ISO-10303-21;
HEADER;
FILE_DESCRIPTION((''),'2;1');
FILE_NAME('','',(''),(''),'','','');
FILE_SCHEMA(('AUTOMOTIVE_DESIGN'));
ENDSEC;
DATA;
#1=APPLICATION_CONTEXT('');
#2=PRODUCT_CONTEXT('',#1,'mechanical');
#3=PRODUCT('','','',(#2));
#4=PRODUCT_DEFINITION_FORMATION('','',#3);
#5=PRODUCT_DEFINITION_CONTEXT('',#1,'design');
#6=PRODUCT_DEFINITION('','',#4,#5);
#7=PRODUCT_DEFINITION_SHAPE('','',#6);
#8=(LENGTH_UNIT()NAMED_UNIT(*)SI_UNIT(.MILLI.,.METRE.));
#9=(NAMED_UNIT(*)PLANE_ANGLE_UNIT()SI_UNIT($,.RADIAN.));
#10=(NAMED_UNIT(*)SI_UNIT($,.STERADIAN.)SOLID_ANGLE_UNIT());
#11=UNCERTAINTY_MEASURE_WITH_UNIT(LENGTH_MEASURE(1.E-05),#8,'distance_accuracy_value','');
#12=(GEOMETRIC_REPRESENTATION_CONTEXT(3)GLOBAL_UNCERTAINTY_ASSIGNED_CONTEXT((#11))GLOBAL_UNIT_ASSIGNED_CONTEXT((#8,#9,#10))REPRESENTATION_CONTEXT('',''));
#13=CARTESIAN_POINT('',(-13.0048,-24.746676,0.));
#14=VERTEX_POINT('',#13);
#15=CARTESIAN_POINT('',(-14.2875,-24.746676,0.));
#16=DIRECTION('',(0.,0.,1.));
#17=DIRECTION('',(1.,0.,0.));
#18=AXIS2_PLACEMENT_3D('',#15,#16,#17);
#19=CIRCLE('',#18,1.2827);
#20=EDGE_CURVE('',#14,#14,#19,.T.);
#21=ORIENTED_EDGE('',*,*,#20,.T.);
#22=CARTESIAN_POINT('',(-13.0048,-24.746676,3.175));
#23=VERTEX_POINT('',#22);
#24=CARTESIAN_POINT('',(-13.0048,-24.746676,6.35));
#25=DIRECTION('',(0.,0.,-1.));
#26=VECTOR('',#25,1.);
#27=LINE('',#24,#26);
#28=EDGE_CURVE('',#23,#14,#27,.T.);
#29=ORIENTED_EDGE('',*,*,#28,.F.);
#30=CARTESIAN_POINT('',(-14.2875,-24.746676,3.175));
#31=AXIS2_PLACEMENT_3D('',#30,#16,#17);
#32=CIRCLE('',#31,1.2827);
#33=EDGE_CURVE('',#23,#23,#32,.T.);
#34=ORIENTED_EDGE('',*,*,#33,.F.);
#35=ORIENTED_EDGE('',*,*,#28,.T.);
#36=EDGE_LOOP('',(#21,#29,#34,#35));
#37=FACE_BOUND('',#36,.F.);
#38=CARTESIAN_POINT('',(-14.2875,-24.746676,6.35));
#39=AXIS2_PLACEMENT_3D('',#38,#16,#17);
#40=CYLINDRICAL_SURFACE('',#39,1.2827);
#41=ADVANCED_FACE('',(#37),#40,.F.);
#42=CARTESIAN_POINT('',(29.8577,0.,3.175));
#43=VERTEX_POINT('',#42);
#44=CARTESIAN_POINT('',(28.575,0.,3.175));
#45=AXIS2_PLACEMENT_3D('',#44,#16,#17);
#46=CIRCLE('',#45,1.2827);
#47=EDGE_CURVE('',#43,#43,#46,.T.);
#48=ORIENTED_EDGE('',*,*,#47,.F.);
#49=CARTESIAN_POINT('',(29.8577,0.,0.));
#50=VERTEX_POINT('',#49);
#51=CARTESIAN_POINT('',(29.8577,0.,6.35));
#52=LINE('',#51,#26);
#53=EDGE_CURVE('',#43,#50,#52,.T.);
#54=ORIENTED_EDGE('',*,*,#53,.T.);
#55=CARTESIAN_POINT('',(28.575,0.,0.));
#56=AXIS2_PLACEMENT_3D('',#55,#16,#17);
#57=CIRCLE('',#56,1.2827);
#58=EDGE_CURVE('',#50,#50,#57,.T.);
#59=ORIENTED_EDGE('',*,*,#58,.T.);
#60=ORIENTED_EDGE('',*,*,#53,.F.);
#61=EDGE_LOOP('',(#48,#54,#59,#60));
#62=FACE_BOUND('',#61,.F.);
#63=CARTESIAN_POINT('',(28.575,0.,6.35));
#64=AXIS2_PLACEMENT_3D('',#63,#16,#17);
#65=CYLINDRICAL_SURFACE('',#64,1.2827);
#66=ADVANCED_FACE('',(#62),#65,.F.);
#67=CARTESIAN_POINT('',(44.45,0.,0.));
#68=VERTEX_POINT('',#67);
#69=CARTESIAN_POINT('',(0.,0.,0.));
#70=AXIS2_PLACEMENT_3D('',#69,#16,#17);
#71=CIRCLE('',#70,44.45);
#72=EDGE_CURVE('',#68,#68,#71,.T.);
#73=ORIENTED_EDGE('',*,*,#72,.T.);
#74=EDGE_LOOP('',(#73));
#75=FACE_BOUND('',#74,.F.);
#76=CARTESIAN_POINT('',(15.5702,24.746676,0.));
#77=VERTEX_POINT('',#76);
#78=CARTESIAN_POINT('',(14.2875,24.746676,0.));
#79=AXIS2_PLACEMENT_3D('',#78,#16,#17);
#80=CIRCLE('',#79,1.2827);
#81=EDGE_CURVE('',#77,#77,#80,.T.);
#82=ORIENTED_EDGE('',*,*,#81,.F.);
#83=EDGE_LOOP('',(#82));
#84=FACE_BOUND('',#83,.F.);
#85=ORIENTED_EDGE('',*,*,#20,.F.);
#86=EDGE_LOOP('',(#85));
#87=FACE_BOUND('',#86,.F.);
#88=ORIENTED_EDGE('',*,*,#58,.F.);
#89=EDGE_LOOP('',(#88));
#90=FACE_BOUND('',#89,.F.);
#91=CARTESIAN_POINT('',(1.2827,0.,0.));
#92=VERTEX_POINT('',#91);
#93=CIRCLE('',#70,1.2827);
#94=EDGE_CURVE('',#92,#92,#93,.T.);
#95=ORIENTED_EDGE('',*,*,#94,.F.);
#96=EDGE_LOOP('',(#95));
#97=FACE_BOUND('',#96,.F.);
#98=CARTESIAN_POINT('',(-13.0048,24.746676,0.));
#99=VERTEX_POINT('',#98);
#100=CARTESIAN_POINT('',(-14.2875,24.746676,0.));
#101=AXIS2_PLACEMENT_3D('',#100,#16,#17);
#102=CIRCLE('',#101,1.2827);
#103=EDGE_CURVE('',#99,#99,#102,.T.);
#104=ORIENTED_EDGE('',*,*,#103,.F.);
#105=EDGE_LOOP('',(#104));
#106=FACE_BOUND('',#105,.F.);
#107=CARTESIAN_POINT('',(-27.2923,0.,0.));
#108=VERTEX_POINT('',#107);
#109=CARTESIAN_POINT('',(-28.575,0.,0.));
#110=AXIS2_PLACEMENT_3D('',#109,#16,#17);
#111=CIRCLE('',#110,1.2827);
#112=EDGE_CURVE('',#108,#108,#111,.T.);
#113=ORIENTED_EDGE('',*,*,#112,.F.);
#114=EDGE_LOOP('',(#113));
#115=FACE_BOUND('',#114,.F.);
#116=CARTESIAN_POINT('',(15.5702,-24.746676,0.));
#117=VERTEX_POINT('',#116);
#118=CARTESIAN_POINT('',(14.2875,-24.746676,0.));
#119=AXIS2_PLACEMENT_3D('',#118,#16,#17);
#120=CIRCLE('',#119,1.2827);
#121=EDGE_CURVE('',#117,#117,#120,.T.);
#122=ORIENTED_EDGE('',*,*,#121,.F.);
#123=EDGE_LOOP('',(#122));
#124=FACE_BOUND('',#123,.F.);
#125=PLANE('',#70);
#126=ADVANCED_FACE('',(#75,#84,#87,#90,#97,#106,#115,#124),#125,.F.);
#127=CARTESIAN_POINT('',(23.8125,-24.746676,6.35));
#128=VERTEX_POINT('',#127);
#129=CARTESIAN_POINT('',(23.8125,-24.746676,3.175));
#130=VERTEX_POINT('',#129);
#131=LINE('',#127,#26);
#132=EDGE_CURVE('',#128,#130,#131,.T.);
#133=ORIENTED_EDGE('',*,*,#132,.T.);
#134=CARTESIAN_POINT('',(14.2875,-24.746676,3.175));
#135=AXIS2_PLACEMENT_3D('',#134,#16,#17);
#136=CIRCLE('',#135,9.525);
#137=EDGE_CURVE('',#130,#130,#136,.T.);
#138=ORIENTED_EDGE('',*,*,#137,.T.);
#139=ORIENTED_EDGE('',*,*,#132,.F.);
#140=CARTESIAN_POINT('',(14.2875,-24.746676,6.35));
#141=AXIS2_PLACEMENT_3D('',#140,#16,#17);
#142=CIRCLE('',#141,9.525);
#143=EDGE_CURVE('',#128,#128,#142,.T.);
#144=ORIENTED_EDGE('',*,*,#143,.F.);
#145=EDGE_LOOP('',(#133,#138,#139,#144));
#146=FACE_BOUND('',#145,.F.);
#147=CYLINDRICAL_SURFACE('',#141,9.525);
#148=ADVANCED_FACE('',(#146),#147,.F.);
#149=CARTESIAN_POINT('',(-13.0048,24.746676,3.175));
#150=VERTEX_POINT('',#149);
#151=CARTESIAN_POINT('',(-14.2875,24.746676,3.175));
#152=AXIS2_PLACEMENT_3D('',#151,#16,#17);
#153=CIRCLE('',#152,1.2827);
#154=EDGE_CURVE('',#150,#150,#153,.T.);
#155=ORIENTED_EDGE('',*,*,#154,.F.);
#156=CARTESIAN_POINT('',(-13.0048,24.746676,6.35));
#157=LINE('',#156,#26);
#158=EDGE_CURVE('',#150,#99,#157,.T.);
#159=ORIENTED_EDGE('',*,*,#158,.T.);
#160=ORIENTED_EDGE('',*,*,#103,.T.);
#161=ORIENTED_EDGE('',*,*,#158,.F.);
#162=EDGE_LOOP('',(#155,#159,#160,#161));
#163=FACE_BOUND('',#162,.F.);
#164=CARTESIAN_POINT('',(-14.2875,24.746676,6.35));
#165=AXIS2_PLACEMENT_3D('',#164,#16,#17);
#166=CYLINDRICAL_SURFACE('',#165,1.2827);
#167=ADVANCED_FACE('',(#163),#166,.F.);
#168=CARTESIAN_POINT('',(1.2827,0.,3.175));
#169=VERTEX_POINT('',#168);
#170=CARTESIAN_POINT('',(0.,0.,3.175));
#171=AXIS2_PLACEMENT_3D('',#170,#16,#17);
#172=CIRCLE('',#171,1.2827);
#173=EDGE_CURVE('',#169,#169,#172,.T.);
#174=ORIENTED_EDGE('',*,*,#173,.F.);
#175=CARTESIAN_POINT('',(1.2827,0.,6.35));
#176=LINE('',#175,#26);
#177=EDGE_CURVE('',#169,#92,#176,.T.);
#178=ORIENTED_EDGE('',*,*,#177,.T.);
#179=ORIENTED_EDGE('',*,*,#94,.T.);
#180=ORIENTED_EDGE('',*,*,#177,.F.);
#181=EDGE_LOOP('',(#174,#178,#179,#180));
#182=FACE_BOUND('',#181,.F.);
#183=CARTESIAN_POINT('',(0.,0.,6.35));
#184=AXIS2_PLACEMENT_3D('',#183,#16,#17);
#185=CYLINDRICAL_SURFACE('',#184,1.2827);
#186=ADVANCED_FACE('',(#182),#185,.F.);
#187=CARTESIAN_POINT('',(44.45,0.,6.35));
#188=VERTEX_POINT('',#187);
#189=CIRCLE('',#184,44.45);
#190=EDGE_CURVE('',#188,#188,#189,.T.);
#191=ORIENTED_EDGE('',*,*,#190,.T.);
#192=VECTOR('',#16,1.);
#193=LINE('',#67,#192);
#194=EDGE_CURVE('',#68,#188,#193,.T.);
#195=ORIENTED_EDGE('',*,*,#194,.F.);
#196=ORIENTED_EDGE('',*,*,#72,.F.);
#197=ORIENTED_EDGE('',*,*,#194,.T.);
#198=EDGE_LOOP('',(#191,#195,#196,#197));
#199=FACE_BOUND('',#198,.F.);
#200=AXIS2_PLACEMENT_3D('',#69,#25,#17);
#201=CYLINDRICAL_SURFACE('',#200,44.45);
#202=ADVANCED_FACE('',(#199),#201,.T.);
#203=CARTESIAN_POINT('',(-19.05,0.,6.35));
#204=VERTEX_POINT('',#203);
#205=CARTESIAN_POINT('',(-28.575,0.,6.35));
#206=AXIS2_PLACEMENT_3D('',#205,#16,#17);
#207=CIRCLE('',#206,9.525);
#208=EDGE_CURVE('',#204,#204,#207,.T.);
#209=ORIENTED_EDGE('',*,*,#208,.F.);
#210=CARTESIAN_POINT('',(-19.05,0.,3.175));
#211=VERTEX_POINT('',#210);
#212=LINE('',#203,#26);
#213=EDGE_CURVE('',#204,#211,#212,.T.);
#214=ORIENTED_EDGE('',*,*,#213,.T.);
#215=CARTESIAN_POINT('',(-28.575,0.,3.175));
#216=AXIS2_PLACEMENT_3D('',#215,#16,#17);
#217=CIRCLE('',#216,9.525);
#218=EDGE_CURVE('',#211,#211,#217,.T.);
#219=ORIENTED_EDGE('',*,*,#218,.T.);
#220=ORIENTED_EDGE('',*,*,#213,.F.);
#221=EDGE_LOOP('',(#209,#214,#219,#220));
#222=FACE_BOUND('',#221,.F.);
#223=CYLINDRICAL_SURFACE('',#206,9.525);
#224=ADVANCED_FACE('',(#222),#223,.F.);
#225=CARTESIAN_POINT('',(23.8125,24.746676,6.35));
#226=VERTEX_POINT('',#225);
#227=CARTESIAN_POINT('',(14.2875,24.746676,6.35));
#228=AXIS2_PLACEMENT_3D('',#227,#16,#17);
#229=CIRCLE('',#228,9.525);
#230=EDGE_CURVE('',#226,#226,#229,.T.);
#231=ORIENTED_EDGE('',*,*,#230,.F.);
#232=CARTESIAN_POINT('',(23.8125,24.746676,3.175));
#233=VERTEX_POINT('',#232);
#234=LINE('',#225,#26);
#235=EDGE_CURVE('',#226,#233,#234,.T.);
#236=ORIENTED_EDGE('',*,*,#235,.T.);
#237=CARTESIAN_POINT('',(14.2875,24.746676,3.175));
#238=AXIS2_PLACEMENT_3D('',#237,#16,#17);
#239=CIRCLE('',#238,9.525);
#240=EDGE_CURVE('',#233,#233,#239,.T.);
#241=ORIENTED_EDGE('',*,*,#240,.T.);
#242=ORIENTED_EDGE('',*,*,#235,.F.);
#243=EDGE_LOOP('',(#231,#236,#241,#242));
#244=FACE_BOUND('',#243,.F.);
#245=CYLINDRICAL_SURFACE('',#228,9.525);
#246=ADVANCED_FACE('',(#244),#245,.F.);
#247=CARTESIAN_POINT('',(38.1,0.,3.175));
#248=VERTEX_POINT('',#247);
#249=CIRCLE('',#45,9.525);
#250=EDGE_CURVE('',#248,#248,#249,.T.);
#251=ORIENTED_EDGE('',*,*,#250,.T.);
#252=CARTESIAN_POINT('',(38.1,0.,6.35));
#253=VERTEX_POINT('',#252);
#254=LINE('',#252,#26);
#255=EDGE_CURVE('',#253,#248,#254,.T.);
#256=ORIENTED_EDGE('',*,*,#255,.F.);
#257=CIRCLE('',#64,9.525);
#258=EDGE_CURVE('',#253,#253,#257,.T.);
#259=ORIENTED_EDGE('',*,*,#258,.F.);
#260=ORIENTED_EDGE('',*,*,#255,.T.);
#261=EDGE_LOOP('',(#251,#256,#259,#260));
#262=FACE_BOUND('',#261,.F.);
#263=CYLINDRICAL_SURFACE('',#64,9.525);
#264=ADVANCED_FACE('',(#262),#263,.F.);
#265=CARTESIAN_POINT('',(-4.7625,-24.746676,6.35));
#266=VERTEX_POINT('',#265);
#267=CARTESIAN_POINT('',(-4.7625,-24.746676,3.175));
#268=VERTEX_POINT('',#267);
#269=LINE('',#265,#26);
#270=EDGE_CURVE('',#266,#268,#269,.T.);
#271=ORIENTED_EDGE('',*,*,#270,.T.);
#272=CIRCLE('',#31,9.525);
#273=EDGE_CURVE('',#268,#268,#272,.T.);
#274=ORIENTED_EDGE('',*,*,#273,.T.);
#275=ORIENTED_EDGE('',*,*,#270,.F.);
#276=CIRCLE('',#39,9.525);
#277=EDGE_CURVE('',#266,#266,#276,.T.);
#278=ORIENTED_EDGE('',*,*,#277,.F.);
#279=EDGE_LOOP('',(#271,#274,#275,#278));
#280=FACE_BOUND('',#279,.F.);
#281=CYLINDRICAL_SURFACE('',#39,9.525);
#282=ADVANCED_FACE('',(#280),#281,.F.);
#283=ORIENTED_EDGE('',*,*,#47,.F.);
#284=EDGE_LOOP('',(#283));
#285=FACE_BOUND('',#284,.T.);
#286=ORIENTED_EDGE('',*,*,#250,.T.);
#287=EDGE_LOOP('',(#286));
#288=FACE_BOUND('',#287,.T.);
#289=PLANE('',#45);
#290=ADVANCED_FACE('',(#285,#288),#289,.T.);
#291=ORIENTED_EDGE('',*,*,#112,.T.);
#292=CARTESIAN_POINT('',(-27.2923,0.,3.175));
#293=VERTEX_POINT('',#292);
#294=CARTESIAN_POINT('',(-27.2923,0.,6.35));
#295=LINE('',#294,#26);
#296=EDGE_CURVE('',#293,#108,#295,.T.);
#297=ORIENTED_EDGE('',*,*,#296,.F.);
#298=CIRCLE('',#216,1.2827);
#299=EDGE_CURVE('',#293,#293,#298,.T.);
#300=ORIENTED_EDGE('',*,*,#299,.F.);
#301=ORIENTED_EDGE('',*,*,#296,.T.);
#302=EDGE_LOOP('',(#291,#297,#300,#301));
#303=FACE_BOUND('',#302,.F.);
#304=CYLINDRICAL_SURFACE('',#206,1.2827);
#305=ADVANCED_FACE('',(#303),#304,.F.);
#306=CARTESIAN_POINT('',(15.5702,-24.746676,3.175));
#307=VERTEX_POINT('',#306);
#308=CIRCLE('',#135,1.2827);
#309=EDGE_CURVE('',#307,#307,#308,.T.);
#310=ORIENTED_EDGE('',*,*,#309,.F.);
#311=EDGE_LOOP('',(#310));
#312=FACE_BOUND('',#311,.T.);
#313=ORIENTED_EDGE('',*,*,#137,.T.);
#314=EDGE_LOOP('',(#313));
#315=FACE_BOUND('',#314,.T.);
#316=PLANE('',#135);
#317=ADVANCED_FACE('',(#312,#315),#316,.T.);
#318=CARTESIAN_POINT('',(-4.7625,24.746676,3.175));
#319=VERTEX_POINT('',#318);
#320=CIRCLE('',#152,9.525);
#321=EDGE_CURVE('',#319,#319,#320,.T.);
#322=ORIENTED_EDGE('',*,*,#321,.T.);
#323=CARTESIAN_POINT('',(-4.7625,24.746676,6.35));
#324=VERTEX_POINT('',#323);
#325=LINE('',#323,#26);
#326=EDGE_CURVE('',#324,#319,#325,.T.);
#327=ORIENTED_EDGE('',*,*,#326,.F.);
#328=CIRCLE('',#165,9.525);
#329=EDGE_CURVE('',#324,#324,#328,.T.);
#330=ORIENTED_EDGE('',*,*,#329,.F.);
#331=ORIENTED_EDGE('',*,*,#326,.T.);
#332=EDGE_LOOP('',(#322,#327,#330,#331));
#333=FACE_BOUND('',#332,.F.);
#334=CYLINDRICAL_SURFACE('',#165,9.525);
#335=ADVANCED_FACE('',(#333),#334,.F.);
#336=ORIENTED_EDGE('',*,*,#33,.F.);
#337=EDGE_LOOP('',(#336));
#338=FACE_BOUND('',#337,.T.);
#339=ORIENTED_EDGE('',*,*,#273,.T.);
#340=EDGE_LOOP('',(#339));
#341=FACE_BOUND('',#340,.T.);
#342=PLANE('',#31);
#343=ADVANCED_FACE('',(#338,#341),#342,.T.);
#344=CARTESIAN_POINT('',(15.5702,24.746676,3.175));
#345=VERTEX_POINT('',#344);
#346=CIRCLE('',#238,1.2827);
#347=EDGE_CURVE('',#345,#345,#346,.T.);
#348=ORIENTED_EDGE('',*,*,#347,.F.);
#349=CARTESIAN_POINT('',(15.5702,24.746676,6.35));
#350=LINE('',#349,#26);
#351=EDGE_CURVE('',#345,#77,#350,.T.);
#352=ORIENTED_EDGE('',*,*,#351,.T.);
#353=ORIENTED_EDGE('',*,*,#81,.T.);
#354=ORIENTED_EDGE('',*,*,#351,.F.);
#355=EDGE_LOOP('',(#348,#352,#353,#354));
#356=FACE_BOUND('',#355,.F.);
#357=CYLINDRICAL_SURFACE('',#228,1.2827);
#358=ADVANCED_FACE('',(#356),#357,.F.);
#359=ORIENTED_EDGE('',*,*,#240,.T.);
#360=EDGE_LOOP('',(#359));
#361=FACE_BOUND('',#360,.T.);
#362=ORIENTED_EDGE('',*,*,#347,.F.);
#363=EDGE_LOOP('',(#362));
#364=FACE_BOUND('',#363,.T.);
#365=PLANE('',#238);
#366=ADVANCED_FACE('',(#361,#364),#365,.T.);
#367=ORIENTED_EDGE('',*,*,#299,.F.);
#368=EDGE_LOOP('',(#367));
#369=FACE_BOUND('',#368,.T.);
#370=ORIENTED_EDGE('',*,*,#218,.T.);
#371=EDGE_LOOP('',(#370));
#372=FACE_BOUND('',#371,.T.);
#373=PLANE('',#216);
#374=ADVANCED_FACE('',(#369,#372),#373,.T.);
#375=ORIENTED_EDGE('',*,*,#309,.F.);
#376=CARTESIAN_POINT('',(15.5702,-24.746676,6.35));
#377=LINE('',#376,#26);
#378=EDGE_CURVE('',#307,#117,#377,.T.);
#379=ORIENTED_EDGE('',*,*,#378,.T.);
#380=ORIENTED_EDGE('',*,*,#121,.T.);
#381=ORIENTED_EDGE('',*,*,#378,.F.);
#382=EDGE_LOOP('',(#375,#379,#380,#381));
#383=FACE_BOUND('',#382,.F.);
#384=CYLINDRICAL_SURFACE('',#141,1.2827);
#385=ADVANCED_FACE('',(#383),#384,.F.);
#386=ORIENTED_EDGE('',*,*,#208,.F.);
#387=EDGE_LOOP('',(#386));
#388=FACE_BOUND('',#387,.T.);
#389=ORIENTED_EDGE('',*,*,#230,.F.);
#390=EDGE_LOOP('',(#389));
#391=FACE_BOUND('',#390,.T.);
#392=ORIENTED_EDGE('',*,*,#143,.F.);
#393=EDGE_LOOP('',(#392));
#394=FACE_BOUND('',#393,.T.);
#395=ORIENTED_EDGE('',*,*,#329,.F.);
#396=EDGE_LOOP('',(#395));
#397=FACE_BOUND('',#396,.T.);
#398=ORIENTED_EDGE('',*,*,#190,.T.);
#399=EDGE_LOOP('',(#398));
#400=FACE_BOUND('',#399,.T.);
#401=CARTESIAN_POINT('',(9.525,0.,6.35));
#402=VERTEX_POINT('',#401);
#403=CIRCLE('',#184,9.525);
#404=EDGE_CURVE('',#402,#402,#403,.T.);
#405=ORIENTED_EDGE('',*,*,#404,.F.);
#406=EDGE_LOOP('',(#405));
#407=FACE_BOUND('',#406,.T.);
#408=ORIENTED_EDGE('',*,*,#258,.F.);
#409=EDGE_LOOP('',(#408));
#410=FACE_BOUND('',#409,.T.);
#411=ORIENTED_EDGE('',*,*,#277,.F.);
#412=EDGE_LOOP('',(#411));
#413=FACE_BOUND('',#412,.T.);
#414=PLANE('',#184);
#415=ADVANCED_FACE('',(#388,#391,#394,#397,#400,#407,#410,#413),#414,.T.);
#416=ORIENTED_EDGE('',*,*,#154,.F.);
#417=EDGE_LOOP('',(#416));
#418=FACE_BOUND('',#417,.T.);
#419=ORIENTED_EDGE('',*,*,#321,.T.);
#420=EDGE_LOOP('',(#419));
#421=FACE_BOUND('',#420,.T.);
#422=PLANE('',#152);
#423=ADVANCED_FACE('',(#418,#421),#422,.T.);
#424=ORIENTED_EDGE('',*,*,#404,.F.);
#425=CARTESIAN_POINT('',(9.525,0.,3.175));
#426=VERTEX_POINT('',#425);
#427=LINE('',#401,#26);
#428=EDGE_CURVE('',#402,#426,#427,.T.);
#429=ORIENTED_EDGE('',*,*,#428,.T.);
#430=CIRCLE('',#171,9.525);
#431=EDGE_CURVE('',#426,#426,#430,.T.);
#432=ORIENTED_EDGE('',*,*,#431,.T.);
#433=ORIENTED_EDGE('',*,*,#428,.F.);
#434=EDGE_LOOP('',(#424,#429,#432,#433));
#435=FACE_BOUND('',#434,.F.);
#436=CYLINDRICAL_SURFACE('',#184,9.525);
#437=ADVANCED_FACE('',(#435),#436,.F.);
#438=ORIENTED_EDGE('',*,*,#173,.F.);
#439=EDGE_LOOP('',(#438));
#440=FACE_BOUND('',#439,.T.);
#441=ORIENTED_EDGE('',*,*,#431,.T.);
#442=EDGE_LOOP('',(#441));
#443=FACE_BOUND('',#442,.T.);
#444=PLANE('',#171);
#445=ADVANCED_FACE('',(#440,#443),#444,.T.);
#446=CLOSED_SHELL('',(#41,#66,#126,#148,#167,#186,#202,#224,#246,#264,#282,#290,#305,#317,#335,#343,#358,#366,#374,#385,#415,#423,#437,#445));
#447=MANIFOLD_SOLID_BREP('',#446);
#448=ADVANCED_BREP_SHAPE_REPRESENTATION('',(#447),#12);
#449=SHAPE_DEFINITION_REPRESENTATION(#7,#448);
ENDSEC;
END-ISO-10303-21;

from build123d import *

# Parameters (mm, degrees)
F0_R     = 44.45
F1_DEPTH = 6.35
F2_R     = 9.525
F3_DEPTH = 3.175
F4_R     = 1.2827
F5_DEPTH = 25.4


with BuildPart() as f1:
    # F0 (on Top) → F1 (new body)
    with BuildSketch(Plane.XY):
        Circle(F0_R)
    extrude(amount=F1_DEPTH)

    # F2 (on face) → F3 (cut)
    with BuildSketch(Plane.XY.offset(6.35)):
        with Locations((-28.575, 0)):
            Circle(F2_R)
        with Locations((-14.2875, 24.746676)):
            Circle(F2_R)
        with Locations((14.2875, 24.746676)):
            Circle(F2_R)
        with Locations((28.575, 0)):
            Circle(F2_R)
        Circle(F2_R)
        with Locations((14.2875, -24.746676)):
            Circle(F2_R)
        with Locations((-14.2875, -24.746676)):
            Circle(F2_R)
    extrude(amount=-F3_DEPTH, mode=Mode.SUBTRACT)

    # F4 (on face) → F5 (cut)
    with BuildSketch(Plane.XY.offset(6.35)):
        with Locations((28.575, 0)):
            Circle(F4_R)
        Circle(F4_R)
        with Locations((-14.2875, 24.746676)):
            Circle(F4_R)
        with Locations((14.2875, 24.746676)):
            Circle(F4_R)
        with Locations((-28.575, 0)):
            Circle(F4_R)
        with Locations((-14.2875, -24.746676)):
            Circle(F4_R)
        with Locations((14.2875, -24.746676)):
            Circle(F4_R)
    extrude(amount=-F5_DEPTH, mode=Mode.SUBTRACT)


solid = f1.part
